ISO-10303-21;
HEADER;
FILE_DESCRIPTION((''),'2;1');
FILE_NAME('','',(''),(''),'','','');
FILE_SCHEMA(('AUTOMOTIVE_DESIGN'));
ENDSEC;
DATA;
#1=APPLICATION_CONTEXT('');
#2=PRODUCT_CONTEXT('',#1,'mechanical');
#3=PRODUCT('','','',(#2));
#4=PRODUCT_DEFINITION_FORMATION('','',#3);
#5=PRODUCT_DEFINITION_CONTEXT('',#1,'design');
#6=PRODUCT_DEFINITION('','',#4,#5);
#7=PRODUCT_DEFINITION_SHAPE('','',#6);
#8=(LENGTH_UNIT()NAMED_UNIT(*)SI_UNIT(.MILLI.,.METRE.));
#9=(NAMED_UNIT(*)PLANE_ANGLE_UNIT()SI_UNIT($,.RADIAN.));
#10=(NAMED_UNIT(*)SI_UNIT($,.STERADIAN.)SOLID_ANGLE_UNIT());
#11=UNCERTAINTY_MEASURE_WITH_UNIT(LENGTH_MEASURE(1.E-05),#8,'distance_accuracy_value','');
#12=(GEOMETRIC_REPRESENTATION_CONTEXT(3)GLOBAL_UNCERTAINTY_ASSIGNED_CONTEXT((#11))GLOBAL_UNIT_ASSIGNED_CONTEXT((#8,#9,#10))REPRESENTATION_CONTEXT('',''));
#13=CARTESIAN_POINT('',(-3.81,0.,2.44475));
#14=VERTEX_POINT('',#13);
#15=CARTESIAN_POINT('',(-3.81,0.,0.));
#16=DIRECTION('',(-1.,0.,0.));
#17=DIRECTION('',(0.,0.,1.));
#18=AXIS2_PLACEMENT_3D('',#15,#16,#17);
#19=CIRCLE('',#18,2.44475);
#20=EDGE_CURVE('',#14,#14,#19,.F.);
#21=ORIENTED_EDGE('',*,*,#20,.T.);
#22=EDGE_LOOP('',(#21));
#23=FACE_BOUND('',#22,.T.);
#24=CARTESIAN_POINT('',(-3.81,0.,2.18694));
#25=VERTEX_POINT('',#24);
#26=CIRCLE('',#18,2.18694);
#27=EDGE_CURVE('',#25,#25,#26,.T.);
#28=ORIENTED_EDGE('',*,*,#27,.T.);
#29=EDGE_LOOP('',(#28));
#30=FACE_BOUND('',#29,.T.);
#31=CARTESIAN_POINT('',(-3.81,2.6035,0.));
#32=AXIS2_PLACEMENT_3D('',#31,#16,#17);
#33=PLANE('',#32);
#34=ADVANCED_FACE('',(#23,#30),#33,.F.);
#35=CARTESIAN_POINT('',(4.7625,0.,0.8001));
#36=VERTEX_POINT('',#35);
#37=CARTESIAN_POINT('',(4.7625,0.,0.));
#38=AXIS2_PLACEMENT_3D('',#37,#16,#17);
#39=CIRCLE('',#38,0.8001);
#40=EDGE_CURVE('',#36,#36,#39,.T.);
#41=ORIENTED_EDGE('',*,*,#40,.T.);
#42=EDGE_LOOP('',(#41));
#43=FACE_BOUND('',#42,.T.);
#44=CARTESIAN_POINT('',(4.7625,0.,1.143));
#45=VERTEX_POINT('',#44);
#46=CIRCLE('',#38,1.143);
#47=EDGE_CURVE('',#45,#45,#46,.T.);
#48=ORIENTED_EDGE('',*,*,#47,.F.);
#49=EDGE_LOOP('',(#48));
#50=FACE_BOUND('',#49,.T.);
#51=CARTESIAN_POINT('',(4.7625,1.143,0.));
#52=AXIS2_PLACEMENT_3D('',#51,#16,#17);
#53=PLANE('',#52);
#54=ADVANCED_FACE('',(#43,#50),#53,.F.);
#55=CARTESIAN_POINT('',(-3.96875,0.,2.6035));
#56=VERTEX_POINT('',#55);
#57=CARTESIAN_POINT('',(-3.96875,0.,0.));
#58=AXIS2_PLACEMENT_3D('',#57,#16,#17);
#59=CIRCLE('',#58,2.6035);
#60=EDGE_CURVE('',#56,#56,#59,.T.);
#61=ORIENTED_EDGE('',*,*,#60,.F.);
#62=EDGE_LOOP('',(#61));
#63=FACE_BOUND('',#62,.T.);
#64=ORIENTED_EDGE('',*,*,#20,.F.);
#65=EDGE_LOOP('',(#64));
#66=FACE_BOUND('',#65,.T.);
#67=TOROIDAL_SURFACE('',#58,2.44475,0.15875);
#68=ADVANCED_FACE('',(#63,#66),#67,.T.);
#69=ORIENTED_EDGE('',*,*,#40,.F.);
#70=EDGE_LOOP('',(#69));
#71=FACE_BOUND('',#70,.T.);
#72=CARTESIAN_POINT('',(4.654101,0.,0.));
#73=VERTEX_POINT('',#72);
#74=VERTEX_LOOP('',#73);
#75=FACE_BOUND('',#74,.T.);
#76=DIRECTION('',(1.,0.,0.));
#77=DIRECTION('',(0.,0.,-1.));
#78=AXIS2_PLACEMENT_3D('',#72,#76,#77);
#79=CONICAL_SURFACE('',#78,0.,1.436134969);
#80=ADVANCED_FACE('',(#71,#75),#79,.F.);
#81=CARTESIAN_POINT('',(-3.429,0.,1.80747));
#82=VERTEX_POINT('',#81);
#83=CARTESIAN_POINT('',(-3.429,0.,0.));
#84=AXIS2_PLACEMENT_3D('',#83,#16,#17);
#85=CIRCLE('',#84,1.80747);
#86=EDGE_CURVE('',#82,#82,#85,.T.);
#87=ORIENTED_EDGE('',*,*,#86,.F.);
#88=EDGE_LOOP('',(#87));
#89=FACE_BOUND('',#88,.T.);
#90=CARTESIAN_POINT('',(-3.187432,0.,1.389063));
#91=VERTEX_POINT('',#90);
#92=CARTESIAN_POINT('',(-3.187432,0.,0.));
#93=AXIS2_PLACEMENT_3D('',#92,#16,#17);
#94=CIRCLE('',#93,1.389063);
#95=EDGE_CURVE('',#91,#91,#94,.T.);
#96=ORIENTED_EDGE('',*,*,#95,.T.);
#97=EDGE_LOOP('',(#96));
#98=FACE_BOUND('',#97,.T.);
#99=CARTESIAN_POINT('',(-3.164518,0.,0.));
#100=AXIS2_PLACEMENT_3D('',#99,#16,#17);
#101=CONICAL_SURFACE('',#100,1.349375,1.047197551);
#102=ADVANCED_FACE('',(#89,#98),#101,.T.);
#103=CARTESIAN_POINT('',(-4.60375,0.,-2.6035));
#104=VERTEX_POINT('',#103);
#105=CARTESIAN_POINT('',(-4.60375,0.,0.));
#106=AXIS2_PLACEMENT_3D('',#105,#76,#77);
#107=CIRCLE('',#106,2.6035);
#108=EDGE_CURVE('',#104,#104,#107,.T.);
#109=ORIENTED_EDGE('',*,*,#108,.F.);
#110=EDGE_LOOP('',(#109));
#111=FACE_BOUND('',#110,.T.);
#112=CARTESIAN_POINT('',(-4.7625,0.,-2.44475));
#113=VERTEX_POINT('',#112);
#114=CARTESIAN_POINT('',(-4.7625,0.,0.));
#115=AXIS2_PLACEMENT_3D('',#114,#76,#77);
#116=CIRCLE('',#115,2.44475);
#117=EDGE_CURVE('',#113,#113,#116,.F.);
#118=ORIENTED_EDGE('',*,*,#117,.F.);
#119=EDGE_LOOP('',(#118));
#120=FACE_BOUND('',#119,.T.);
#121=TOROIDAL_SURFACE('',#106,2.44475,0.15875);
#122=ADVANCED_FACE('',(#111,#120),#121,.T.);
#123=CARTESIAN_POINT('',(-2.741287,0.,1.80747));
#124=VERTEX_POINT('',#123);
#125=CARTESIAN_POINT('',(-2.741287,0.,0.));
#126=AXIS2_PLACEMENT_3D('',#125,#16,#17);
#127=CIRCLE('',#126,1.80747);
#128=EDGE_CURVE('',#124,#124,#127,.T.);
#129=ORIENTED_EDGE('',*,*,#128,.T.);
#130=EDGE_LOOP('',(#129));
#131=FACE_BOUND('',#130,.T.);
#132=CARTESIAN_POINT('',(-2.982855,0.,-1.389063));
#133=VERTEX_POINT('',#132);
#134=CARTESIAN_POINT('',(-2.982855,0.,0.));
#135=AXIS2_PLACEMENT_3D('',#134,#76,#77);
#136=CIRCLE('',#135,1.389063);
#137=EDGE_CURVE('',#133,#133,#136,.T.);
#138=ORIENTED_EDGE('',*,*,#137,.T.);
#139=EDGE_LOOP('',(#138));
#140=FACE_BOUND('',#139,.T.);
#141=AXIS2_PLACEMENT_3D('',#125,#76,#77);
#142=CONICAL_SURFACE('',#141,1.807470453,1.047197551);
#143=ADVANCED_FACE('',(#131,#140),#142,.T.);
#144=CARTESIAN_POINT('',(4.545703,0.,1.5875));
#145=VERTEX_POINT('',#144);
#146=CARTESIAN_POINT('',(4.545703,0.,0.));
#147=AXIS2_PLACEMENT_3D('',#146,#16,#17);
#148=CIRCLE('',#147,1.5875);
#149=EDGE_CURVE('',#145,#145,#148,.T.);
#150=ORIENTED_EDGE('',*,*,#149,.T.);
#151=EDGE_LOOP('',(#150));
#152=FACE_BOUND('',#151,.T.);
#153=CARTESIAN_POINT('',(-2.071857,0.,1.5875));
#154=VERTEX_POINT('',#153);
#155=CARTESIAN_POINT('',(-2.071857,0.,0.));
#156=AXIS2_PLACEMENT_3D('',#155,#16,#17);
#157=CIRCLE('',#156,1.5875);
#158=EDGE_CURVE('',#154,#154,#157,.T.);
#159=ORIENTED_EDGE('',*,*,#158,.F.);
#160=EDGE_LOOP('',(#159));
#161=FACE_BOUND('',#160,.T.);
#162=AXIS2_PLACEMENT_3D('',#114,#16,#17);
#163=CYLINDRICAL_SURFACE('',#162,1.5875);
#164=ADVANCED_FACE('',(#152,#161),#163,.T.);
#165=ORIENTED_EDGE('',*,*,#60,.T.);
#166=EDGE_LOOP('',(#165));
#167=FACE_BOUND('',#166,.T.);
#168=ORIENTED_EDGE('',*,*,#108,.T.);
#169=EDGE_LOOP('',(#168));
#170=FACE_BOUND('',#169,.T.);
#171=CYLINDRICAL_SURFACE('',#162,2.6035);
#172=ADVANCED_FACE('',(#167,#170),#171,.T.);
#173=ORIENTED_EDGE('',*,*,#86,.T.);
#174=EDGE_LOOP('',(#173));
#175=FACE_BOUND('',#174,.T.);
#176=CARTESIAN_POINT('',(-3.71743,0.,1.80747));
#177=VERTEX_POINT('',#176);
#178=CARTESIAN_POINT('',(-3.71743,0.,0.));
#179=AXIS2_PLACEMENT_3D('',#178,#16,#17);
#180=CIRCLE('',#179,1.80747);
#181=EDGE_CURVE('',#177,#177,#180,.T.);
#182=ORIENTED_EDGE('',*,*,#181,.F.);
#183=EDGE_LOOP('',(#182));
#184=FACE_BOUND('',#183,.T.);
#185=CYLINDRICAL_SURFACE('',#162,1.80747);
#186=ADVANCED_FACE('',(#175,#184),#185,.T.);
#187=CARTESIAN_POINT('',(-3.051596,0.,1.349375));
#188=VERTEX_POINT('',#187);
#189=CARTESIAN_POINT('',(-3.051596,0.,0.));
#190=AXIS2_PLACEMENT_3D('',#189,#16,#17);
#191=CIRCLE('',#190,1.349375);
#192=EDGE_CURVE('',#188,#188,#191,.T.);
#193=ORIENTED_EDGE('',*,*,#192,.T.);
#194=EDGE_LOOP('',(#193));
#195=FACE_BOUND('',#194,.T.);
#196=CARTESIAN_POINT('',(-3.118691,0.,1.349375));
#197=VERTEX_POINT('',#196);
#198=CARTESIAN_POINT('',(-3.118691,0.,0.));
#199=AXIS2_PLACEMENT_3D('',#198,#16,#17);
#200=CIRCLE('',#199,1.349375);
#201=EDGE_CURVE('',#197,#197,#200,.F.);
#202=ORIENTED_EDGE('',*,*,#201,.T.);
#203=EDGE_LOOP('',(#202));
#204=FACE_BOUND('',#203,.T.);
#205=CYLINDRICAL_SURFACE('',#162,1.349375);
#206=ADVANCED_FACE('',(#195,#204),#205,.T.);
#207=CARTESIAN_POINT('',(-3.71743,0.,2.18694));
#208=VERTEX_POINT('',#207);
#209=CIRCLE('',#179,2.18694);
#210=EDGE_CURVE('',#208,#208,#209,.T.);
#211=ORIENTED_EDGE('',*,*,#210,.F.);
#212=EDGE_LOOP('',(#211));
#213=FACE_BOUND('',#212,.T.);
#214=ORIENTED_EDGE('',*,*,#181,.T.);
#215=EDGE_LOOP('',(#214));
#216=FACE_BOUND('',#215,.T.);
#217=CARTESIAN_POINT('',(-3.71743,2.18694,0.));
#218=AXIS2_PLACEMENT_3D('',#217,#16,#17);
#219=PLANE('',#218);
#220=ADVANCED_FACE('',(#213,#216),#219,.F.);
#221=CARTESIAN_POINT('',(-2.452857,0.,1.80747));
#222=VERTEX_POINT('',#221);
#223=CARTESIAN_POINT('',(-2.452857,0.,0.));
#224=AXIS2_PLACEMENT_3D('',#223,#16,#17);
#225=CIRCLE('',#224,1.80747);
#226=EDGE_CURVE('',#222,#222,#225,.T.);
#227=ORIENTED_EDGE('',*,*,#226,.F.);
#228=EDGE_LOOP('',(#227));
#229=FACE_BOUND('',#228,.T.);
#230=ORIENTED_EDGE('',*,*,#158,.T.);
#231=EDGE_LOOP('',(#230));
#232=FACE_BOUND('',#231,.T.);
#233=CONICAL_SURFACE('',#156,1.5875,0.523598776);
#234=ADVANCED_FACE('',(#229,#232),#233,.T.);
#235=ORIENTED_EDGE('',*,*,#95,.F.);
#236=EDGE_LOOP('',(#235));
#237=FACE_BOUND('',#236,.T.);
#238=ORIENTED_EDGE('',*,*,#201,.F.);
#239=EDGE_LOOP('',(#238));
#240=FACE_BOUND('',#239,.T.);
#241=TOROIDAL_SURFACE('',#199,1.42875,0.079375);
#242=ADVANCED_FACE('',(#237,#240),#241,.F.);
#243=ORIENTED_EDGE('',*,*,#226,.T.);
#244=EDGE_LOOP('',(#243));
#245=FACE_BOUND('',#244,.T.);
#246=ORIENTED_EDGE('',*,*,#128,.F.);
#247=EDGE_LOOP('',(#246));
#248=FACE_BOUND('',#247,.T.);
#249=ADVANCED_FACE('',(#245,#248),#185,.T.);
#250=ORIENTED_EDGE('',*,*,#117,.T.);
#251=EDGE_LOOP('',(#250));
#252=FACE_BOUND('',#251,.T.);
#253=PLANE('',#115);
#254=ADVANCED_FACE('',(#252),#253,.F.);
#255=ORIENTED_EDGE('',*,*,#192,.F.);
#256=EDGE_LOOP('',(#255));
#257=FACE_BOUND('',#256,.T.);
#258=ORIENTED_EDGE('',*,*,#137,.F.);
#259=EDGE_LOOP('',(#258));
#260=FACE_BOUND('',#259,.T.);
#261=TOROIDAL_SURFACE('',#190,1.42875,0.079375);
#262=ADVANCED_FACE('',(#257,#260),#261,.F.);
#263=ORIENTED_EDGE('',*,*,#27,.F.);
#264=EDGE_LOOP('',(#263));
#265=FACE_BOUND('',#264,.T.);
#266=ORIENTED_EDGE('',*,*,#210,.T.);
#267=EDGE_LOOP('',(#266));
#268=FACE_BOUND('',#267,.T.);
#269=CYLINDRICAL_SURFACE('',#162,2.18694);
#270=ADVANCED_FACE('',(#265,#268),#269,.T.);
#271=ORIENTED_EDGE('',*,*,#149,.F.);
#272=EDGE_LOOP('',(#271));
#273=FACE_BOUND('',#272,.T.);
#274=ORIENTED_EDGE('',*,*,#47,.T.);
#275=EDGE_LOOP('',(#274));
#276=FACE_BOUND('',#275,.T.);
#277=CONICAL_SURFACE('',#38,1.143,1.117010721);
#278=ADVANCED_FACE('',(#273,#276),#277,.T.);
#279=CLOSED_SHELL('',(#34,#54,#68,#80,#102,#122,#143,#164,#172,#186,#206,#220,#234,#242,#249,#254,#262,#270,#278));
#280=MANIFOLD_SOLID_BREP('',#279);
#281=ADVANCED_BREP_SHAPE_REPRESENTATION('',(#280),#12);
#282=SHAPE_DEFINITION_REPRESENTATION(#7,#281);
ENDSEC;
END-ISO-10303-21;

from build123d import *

# Parameters (mm, degrees)
FILLET1_R = 0.15875
FILLET2_R = 0.079375


with BuildPart() as part:
    # Sketch1 → Revolve1 (revolve)
    with BuildSketch(Plane.XY):
        Polygon((-4.7625, 0), (-4.7625, 2.6035), (-3.81, 2.6035), (-3.81, 2.18694), (-3.717429994, 2.18694), (-3.717429994, 1.807470453), (-3.429, 1.807470453), (-3.164518467, 1.349375), (-3.005768467, 1.349375), (-2.741286934, 1.807470453), (-2.45285694, 1.807470453), (-2.07185694, 1.5875), (4.545702864, 1.5875), (4.7625, 1.143), (4.7625, 0.8001), (4.654101432, 0), align=None)
    revolve(axis=Axis((-4.7625, 0, 0), (1, 0, 0)))

    # Fillet1
    fillet1_edges = [part.edges().sort_by_distance(p)[0] for p in [
        (-3.81, -2.6035, 0),
        (-4.7625, -2.6035, 0),
    ]]
    fillet(fillet1_edges, radius=FILLET1_R)

    # Fillet2
    fillet2_edges = [part.edges().sort_by_distance(p)[0] for p in [
        (-3.164518467, -1.349375, 0),
        (-3.005768467, -1.349375, 0),
    ]]
    fillet(fillet2_edges, radius=FILLET2_R)


solid = part.part
